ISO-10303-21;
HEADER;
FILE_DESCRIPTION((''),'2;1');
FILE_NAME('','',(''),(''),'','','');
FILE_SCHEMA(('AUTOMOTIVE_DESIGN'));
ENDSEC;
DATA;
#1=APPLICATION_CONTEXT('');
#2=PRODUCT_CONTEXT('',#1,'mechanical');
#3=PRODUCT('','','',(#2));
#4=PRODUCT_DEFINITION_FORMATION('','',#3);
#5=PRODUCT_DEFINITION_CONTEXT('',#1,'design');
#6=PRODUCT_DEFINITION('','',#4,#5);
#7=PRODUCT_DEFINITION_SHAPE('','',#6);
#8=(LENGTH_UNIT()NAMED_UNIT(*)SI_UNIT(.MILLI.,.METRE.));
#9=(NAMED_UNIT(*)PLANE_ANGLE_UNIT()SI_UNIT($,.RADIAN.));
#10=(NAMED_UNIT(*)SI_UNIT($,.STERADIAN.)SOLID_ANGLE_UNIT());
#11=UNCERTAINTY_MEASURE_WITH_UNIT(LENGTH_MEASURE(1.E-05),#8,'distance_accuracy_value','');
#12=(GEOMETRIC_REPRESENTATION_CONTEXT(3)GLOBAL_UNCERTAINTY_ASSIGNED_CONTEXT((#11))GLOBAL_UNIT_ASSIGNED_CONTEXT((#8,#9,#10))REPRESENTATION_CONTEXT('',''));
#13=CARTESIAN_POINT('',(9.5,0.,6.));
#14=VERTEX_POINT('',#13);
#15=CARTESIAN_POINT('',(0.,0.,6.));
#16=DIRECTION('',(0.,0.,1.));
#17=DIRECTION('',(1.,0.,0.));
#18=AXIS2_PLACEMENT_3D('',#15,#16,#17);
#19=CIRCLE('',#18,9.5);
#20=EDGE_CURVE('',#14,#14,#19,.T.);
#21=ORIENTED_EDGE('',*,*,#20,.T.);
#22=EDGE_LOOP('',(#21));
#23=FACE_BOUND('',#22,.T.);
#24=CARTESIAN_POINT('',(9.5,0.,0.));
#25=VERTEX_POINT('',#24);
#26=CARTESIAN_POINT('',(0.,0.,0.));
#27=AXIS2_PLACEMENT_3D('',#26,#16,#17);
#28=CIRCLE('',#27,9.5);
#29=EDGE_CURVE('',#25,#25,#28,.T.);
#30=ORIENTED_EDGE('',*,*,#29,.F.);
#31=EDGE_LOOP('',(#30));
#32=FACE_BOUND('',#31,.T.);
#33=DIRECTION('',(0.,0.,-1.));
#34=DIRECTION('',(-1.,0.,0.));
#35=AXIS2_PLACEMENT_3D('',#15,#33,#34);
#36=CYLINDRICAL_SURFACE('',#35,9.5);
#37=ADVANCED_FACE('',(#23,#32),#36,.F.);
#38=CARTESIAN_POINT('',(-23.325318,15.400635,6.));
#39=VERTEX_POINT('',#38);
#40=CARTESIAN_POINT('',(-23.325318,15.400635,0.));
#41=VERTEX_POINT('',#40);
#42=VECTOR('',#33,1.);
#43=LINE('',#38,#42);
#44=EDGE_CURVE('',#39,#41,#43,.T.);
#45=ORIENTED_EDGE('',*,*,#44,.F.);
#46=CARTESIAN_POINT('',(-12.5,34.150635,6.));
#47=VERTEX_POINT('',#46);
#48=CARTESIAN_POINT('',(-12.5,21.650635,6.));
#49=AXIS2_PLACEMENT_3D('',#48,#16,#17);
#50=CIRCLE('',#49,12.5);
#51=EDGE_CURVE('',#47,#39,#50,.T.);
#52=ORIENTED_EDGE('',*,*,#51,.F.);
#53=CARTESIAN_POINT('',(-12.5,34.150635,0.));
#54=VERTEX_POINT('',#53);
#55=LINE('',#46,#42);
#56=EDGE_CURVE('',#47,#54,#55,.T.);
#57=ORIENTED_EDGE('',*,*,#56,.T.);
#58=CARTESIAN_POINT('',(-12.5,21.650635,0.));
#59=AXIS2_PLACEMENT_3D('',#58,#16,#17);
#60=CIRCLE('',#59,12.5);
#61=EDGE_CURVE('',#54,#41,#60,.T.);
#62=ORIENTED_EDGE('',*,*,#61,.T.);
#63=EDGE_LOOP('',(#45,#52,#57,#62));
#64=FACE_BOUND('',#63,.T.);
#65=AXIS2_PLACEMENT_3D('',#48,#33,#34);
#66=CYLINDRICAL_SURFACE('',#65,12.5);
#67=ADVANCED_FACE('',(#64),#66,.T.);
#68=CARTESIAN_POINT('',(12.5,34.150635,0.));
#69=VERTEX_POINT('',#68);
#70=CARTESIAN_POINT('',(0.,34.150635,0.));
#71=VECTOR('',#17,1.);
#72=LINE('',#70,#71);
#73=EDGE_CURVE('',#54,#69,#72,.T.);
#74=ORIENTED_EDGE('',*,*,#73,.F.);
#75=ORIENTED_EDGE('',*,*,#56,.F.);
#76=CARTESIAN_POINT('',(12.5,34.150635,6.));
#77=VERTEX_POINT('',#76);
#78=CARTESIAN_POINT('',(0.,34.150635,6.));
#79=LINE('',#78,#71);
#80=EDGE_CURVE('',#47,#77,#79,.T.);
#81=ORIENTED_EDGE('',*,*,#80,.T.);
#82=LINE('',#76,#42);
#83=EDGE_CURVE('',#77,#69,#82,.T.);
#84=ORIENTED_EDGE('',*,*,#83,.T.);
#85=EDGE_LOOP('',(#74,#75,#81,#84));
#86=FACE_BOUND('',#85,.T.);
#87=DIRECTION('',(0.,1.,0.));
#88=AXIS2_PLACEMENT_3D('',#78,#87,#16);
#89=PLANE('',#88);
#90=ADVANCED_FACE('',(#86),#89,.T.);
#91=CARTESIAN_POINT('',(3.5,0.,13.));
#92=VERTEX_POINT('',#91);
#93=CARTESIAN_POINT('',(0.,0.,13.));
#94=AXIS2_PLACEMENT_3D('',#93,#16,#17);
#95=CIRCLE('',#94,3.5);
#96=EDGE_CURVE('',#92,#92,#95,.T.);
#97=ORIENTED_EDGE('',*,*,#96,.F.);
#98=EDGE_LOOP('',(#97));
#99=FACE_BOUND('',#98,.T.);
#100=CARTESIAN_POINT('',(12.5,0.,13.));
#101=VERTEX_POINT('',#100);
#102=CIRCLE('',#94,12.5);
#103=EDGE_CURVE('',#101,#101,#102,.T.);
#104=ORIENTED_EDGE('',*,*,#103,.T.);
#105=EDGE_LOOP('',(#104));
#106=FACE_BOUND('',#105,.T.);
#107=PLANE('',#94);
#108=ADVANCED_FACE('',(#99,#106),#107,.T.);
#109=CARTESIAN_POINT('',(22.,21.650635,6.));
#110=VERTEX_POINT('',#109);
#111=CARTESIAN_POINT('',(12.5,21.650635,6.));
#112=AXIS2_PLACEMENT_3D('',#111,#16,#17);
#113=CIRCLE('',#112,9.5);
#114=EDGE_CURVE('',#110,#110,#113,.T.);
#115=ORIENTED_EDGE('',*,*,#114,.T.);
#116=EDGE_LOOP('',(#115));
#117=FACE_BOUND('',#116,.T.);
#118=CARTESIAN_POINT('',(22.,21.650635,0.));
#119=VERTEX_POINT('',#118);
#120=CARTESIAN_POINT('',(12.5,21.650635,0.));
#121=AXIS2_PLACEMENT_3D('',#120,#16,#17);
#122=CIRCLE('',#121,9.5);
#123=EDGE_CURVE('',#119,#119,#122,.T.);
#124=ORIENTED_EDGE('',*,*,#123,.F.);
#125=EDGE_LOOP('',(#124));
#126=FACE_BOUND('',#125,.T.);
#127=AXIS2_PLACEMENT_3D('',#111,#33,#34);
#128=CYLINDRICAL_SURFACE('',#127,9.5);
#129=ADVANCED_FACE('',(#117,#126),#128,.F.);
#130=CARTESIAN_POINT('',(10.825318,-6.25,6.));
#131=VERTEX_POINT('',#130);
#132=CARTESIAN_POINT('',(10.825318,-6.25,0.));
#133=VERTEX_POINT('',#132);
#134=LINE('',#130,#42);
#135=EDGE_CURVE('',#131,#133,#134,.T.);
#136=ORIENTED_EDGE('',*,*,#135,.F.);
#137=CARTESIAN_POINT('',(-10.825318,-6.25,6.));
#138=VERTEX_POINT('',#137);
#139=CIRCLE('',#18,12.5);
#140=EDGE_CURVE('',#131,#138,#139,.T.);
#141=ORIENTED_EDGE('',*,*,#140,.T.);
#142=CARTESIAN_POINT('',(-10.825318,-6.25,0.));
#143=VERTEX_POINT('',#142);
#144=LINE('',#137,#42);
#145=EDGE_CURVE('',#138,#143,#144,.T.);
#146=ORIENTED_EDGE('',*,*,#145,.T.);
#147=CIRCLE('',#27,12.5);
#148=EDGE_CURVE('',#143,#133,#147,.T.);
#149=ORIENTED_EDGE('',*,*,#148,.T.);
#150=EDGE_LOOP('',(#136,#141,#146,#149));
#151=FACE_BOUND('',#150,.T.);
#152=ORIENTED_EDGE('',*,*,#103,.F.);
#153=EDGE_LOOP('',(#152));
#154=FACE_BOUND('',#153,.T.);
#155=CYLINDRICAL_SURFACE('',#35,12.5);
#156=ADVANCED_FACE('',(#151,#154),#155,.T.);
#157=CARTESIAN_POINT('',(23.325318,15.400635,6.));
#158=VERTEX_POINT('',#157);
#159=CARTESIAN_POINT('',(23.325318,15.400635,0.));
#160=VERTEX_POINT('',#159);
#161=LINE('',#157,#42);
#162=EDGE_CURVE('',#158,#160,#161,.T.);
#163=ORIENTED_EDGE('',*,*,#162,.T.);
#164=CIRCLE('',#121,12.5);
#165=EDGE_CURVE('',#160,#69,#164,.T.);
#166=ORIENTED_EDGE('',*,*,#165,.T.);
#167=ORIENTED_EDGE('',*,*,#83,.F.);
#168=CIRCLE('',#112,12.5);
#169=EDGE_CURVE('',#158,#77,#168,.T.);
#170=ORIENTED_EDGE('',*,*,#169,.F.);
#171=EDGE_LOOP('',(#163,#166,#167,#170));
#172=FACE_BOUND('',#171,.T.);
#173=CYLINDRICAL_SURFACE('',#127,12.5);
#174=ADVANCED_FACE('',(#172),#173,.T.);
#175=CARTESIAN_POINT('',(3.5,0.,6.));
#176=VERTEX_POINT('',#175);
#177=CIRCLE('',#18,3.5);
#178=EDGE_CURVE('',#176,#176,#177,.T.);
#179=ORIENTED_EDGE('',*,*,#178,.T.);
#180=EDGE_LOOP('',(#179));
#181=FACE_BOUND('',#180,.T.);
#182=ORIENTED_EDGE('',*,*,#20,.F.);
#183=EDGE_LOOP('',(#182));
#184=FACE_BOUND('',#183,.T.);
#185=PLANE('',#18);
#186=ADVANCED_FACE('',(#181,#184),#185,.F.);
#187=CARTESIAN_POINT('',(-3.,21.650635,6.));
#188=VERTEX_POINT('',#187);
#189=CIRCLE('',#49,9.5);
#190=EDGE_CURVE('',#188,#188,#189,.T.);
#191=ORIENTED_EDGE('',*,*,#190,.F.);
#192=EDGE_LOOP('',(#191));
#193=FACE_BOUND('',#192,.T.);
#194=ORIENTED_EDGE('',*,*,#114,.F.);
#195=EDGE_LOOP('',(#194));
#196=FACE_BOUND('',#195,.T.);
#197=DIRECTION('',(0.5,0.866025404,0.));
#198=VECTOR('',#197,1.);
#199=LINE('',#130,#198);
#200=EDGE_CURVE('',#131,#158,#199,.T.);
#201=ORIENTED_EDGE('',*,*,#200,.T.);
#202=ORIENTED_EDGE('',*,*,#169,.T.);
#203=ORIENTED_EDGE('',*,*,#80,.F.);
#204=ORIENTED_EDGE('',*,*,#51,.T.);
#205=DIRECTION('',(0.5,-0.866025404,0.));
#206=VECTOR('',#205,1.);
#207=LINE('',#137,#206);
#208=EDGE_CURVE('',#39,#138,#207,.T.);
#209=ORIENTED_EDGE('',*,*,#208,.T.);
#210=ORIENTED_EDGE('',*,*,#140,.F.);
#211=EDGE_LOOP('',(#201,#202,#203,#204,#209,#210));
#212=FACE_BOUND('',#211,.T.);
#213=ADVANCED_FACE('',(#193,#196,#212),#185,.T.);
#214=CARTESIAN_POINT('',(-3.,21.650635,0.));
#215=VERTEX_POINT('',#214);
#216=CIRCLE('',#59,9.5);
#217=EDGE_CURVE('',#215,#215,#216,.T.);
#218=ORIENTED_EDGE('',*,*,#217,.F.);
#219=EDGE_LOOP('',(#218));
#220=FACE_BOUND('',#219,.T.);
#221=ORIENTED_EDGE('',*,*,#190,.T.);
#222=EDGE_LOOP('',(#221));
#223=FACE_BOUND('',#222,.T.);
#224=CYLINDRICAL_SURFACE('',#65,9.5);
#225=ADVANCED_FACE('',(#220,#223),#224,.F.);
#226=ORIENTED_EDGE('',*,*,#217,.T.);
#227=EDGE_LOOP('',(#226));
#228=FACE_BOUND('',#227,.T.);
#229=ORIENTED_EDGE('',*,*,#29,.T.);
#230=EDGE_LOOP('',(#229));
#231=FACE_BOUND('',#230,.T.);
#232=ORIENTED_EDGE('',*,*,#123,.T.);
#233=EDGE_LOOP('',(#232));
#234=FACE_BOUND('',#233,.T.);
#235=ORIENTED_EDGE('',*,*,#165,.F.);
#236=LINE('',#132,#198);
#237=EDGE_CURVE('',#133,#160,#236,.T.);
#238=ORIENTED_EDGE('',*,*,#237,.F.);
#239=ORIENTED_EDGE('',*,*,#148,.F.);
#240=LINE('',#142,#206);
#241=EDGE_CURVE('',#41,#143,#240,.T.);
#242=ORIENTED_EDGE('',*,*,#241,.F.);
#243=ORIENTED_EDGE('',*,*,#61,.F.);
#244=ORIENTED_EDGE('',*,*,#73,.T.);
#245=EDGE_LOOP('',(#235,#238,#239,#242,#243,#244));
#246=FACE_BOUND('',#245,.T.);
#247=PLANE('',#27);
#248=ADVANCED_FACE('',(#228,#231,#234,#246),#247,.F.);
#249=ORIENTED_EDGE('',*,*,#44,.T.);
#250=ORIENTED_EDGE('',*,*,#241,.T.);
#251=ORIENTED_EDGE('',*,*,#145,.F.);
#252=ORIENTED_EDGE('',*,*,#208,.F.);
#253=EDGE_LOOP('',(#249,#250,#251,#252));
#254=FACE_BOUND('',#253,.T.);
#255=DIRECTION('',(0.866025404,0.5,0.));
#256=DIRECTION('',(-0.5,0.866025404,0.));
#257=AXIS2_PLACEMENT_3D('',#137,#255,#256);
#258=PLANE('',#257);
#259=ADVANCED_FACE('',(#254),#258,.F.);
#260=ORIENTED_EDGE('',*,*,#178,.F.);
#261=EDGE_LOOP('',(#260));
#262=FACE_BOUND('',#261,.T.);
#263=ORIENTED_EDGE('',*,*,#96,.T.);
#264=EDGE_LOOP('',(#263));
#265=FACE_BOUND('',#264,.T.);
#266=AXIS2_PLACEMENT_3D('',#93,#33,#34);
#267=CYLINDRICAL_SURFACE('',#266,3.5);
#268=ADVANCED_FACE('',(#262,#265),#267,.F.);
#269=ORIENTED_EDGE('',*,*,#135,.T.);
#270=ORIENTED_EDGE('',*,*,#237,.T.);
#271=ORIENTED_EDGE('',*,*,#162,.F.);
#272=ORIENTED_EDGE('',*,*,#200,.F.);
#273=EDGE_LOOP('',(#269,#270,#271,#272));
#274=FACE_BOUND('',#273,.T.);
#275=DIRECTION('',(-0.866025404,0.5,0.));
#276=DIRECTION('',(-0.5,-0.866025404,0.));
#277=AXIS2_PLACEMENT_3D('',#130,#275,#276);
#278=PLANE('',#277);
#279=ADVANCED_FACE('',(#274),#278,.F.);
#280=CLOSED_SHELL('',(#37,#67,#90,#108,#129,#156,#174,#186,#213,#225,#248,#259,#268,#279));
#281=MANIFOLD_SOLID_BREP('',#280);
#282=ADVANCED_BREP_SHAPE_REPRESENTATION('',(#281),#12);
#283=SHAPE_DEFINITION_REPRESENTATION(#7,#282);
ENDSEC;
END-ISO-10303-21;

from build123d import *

# Parameters (mm, degrees)
CROQUIS1_R              = 9.5
SALIENTE_EXTRUIR1_DEPTH = 6
CROQUIS2_R              = 12.5
CROQUIS2_R_2            = 3.5
SALIENTE_EXTRUIR3_DEPTH = 7


with BuildPart() as part:
    # Croquis1 → Saliente-Extruir1 (new body)
    with BuildSketch(Plane.XY):
        with BuildLine():
            Line((-23.325317547, 15.400635095), (-10.825317547, -6.25))
            ThreePointArc((-10.825317547, -6.25), (0, -12.5), (10.825317547, -6.25))
            Line((10.825317547, -6.25), (23.325317547, 15.400635095))
            ThreePointArc((23.325317547, 15.400635095), (23.325317547, 27.900635095), (12.5, 34.150635095))
            Line((12.5, 34.150635095), (-12.5, 34.150635095))
            ThreePointArc((-12.5, 34.150635095), (-23.325317547, 27.900635095), (-23.325317547, 15.400635095))
        make_face()
        Circle(CROQUIS1_R, mode=Mode.SUBTRACT)
        with Locations((12.5, 21.650635095)):
            Circle(CROQUIS1_R, mode=Mode.SUBTRACT)
        with Locations((-12.5, 21.650635095)):
            Circle(CROQUIS1_R, mode=Mode.SUBTRACT)
    extrude(amount=SALIENTE_EXTRUIR1_DEPTH)

    # Croquis2 → Saliente-Extruir3 (add)
    with BuildSketch(Plane.XY.offset(6)):
        with Locations(Location((0, 0, 0), (0, 0, 210))):
            Circle(CROQUIS2_R)
        Circle(CROQUIS2_R_2, mode=Mode.SUBTRACT)
    extrude(amount=SALIENTE_EXTRUIR3_DEPTH)


solid = part.part
